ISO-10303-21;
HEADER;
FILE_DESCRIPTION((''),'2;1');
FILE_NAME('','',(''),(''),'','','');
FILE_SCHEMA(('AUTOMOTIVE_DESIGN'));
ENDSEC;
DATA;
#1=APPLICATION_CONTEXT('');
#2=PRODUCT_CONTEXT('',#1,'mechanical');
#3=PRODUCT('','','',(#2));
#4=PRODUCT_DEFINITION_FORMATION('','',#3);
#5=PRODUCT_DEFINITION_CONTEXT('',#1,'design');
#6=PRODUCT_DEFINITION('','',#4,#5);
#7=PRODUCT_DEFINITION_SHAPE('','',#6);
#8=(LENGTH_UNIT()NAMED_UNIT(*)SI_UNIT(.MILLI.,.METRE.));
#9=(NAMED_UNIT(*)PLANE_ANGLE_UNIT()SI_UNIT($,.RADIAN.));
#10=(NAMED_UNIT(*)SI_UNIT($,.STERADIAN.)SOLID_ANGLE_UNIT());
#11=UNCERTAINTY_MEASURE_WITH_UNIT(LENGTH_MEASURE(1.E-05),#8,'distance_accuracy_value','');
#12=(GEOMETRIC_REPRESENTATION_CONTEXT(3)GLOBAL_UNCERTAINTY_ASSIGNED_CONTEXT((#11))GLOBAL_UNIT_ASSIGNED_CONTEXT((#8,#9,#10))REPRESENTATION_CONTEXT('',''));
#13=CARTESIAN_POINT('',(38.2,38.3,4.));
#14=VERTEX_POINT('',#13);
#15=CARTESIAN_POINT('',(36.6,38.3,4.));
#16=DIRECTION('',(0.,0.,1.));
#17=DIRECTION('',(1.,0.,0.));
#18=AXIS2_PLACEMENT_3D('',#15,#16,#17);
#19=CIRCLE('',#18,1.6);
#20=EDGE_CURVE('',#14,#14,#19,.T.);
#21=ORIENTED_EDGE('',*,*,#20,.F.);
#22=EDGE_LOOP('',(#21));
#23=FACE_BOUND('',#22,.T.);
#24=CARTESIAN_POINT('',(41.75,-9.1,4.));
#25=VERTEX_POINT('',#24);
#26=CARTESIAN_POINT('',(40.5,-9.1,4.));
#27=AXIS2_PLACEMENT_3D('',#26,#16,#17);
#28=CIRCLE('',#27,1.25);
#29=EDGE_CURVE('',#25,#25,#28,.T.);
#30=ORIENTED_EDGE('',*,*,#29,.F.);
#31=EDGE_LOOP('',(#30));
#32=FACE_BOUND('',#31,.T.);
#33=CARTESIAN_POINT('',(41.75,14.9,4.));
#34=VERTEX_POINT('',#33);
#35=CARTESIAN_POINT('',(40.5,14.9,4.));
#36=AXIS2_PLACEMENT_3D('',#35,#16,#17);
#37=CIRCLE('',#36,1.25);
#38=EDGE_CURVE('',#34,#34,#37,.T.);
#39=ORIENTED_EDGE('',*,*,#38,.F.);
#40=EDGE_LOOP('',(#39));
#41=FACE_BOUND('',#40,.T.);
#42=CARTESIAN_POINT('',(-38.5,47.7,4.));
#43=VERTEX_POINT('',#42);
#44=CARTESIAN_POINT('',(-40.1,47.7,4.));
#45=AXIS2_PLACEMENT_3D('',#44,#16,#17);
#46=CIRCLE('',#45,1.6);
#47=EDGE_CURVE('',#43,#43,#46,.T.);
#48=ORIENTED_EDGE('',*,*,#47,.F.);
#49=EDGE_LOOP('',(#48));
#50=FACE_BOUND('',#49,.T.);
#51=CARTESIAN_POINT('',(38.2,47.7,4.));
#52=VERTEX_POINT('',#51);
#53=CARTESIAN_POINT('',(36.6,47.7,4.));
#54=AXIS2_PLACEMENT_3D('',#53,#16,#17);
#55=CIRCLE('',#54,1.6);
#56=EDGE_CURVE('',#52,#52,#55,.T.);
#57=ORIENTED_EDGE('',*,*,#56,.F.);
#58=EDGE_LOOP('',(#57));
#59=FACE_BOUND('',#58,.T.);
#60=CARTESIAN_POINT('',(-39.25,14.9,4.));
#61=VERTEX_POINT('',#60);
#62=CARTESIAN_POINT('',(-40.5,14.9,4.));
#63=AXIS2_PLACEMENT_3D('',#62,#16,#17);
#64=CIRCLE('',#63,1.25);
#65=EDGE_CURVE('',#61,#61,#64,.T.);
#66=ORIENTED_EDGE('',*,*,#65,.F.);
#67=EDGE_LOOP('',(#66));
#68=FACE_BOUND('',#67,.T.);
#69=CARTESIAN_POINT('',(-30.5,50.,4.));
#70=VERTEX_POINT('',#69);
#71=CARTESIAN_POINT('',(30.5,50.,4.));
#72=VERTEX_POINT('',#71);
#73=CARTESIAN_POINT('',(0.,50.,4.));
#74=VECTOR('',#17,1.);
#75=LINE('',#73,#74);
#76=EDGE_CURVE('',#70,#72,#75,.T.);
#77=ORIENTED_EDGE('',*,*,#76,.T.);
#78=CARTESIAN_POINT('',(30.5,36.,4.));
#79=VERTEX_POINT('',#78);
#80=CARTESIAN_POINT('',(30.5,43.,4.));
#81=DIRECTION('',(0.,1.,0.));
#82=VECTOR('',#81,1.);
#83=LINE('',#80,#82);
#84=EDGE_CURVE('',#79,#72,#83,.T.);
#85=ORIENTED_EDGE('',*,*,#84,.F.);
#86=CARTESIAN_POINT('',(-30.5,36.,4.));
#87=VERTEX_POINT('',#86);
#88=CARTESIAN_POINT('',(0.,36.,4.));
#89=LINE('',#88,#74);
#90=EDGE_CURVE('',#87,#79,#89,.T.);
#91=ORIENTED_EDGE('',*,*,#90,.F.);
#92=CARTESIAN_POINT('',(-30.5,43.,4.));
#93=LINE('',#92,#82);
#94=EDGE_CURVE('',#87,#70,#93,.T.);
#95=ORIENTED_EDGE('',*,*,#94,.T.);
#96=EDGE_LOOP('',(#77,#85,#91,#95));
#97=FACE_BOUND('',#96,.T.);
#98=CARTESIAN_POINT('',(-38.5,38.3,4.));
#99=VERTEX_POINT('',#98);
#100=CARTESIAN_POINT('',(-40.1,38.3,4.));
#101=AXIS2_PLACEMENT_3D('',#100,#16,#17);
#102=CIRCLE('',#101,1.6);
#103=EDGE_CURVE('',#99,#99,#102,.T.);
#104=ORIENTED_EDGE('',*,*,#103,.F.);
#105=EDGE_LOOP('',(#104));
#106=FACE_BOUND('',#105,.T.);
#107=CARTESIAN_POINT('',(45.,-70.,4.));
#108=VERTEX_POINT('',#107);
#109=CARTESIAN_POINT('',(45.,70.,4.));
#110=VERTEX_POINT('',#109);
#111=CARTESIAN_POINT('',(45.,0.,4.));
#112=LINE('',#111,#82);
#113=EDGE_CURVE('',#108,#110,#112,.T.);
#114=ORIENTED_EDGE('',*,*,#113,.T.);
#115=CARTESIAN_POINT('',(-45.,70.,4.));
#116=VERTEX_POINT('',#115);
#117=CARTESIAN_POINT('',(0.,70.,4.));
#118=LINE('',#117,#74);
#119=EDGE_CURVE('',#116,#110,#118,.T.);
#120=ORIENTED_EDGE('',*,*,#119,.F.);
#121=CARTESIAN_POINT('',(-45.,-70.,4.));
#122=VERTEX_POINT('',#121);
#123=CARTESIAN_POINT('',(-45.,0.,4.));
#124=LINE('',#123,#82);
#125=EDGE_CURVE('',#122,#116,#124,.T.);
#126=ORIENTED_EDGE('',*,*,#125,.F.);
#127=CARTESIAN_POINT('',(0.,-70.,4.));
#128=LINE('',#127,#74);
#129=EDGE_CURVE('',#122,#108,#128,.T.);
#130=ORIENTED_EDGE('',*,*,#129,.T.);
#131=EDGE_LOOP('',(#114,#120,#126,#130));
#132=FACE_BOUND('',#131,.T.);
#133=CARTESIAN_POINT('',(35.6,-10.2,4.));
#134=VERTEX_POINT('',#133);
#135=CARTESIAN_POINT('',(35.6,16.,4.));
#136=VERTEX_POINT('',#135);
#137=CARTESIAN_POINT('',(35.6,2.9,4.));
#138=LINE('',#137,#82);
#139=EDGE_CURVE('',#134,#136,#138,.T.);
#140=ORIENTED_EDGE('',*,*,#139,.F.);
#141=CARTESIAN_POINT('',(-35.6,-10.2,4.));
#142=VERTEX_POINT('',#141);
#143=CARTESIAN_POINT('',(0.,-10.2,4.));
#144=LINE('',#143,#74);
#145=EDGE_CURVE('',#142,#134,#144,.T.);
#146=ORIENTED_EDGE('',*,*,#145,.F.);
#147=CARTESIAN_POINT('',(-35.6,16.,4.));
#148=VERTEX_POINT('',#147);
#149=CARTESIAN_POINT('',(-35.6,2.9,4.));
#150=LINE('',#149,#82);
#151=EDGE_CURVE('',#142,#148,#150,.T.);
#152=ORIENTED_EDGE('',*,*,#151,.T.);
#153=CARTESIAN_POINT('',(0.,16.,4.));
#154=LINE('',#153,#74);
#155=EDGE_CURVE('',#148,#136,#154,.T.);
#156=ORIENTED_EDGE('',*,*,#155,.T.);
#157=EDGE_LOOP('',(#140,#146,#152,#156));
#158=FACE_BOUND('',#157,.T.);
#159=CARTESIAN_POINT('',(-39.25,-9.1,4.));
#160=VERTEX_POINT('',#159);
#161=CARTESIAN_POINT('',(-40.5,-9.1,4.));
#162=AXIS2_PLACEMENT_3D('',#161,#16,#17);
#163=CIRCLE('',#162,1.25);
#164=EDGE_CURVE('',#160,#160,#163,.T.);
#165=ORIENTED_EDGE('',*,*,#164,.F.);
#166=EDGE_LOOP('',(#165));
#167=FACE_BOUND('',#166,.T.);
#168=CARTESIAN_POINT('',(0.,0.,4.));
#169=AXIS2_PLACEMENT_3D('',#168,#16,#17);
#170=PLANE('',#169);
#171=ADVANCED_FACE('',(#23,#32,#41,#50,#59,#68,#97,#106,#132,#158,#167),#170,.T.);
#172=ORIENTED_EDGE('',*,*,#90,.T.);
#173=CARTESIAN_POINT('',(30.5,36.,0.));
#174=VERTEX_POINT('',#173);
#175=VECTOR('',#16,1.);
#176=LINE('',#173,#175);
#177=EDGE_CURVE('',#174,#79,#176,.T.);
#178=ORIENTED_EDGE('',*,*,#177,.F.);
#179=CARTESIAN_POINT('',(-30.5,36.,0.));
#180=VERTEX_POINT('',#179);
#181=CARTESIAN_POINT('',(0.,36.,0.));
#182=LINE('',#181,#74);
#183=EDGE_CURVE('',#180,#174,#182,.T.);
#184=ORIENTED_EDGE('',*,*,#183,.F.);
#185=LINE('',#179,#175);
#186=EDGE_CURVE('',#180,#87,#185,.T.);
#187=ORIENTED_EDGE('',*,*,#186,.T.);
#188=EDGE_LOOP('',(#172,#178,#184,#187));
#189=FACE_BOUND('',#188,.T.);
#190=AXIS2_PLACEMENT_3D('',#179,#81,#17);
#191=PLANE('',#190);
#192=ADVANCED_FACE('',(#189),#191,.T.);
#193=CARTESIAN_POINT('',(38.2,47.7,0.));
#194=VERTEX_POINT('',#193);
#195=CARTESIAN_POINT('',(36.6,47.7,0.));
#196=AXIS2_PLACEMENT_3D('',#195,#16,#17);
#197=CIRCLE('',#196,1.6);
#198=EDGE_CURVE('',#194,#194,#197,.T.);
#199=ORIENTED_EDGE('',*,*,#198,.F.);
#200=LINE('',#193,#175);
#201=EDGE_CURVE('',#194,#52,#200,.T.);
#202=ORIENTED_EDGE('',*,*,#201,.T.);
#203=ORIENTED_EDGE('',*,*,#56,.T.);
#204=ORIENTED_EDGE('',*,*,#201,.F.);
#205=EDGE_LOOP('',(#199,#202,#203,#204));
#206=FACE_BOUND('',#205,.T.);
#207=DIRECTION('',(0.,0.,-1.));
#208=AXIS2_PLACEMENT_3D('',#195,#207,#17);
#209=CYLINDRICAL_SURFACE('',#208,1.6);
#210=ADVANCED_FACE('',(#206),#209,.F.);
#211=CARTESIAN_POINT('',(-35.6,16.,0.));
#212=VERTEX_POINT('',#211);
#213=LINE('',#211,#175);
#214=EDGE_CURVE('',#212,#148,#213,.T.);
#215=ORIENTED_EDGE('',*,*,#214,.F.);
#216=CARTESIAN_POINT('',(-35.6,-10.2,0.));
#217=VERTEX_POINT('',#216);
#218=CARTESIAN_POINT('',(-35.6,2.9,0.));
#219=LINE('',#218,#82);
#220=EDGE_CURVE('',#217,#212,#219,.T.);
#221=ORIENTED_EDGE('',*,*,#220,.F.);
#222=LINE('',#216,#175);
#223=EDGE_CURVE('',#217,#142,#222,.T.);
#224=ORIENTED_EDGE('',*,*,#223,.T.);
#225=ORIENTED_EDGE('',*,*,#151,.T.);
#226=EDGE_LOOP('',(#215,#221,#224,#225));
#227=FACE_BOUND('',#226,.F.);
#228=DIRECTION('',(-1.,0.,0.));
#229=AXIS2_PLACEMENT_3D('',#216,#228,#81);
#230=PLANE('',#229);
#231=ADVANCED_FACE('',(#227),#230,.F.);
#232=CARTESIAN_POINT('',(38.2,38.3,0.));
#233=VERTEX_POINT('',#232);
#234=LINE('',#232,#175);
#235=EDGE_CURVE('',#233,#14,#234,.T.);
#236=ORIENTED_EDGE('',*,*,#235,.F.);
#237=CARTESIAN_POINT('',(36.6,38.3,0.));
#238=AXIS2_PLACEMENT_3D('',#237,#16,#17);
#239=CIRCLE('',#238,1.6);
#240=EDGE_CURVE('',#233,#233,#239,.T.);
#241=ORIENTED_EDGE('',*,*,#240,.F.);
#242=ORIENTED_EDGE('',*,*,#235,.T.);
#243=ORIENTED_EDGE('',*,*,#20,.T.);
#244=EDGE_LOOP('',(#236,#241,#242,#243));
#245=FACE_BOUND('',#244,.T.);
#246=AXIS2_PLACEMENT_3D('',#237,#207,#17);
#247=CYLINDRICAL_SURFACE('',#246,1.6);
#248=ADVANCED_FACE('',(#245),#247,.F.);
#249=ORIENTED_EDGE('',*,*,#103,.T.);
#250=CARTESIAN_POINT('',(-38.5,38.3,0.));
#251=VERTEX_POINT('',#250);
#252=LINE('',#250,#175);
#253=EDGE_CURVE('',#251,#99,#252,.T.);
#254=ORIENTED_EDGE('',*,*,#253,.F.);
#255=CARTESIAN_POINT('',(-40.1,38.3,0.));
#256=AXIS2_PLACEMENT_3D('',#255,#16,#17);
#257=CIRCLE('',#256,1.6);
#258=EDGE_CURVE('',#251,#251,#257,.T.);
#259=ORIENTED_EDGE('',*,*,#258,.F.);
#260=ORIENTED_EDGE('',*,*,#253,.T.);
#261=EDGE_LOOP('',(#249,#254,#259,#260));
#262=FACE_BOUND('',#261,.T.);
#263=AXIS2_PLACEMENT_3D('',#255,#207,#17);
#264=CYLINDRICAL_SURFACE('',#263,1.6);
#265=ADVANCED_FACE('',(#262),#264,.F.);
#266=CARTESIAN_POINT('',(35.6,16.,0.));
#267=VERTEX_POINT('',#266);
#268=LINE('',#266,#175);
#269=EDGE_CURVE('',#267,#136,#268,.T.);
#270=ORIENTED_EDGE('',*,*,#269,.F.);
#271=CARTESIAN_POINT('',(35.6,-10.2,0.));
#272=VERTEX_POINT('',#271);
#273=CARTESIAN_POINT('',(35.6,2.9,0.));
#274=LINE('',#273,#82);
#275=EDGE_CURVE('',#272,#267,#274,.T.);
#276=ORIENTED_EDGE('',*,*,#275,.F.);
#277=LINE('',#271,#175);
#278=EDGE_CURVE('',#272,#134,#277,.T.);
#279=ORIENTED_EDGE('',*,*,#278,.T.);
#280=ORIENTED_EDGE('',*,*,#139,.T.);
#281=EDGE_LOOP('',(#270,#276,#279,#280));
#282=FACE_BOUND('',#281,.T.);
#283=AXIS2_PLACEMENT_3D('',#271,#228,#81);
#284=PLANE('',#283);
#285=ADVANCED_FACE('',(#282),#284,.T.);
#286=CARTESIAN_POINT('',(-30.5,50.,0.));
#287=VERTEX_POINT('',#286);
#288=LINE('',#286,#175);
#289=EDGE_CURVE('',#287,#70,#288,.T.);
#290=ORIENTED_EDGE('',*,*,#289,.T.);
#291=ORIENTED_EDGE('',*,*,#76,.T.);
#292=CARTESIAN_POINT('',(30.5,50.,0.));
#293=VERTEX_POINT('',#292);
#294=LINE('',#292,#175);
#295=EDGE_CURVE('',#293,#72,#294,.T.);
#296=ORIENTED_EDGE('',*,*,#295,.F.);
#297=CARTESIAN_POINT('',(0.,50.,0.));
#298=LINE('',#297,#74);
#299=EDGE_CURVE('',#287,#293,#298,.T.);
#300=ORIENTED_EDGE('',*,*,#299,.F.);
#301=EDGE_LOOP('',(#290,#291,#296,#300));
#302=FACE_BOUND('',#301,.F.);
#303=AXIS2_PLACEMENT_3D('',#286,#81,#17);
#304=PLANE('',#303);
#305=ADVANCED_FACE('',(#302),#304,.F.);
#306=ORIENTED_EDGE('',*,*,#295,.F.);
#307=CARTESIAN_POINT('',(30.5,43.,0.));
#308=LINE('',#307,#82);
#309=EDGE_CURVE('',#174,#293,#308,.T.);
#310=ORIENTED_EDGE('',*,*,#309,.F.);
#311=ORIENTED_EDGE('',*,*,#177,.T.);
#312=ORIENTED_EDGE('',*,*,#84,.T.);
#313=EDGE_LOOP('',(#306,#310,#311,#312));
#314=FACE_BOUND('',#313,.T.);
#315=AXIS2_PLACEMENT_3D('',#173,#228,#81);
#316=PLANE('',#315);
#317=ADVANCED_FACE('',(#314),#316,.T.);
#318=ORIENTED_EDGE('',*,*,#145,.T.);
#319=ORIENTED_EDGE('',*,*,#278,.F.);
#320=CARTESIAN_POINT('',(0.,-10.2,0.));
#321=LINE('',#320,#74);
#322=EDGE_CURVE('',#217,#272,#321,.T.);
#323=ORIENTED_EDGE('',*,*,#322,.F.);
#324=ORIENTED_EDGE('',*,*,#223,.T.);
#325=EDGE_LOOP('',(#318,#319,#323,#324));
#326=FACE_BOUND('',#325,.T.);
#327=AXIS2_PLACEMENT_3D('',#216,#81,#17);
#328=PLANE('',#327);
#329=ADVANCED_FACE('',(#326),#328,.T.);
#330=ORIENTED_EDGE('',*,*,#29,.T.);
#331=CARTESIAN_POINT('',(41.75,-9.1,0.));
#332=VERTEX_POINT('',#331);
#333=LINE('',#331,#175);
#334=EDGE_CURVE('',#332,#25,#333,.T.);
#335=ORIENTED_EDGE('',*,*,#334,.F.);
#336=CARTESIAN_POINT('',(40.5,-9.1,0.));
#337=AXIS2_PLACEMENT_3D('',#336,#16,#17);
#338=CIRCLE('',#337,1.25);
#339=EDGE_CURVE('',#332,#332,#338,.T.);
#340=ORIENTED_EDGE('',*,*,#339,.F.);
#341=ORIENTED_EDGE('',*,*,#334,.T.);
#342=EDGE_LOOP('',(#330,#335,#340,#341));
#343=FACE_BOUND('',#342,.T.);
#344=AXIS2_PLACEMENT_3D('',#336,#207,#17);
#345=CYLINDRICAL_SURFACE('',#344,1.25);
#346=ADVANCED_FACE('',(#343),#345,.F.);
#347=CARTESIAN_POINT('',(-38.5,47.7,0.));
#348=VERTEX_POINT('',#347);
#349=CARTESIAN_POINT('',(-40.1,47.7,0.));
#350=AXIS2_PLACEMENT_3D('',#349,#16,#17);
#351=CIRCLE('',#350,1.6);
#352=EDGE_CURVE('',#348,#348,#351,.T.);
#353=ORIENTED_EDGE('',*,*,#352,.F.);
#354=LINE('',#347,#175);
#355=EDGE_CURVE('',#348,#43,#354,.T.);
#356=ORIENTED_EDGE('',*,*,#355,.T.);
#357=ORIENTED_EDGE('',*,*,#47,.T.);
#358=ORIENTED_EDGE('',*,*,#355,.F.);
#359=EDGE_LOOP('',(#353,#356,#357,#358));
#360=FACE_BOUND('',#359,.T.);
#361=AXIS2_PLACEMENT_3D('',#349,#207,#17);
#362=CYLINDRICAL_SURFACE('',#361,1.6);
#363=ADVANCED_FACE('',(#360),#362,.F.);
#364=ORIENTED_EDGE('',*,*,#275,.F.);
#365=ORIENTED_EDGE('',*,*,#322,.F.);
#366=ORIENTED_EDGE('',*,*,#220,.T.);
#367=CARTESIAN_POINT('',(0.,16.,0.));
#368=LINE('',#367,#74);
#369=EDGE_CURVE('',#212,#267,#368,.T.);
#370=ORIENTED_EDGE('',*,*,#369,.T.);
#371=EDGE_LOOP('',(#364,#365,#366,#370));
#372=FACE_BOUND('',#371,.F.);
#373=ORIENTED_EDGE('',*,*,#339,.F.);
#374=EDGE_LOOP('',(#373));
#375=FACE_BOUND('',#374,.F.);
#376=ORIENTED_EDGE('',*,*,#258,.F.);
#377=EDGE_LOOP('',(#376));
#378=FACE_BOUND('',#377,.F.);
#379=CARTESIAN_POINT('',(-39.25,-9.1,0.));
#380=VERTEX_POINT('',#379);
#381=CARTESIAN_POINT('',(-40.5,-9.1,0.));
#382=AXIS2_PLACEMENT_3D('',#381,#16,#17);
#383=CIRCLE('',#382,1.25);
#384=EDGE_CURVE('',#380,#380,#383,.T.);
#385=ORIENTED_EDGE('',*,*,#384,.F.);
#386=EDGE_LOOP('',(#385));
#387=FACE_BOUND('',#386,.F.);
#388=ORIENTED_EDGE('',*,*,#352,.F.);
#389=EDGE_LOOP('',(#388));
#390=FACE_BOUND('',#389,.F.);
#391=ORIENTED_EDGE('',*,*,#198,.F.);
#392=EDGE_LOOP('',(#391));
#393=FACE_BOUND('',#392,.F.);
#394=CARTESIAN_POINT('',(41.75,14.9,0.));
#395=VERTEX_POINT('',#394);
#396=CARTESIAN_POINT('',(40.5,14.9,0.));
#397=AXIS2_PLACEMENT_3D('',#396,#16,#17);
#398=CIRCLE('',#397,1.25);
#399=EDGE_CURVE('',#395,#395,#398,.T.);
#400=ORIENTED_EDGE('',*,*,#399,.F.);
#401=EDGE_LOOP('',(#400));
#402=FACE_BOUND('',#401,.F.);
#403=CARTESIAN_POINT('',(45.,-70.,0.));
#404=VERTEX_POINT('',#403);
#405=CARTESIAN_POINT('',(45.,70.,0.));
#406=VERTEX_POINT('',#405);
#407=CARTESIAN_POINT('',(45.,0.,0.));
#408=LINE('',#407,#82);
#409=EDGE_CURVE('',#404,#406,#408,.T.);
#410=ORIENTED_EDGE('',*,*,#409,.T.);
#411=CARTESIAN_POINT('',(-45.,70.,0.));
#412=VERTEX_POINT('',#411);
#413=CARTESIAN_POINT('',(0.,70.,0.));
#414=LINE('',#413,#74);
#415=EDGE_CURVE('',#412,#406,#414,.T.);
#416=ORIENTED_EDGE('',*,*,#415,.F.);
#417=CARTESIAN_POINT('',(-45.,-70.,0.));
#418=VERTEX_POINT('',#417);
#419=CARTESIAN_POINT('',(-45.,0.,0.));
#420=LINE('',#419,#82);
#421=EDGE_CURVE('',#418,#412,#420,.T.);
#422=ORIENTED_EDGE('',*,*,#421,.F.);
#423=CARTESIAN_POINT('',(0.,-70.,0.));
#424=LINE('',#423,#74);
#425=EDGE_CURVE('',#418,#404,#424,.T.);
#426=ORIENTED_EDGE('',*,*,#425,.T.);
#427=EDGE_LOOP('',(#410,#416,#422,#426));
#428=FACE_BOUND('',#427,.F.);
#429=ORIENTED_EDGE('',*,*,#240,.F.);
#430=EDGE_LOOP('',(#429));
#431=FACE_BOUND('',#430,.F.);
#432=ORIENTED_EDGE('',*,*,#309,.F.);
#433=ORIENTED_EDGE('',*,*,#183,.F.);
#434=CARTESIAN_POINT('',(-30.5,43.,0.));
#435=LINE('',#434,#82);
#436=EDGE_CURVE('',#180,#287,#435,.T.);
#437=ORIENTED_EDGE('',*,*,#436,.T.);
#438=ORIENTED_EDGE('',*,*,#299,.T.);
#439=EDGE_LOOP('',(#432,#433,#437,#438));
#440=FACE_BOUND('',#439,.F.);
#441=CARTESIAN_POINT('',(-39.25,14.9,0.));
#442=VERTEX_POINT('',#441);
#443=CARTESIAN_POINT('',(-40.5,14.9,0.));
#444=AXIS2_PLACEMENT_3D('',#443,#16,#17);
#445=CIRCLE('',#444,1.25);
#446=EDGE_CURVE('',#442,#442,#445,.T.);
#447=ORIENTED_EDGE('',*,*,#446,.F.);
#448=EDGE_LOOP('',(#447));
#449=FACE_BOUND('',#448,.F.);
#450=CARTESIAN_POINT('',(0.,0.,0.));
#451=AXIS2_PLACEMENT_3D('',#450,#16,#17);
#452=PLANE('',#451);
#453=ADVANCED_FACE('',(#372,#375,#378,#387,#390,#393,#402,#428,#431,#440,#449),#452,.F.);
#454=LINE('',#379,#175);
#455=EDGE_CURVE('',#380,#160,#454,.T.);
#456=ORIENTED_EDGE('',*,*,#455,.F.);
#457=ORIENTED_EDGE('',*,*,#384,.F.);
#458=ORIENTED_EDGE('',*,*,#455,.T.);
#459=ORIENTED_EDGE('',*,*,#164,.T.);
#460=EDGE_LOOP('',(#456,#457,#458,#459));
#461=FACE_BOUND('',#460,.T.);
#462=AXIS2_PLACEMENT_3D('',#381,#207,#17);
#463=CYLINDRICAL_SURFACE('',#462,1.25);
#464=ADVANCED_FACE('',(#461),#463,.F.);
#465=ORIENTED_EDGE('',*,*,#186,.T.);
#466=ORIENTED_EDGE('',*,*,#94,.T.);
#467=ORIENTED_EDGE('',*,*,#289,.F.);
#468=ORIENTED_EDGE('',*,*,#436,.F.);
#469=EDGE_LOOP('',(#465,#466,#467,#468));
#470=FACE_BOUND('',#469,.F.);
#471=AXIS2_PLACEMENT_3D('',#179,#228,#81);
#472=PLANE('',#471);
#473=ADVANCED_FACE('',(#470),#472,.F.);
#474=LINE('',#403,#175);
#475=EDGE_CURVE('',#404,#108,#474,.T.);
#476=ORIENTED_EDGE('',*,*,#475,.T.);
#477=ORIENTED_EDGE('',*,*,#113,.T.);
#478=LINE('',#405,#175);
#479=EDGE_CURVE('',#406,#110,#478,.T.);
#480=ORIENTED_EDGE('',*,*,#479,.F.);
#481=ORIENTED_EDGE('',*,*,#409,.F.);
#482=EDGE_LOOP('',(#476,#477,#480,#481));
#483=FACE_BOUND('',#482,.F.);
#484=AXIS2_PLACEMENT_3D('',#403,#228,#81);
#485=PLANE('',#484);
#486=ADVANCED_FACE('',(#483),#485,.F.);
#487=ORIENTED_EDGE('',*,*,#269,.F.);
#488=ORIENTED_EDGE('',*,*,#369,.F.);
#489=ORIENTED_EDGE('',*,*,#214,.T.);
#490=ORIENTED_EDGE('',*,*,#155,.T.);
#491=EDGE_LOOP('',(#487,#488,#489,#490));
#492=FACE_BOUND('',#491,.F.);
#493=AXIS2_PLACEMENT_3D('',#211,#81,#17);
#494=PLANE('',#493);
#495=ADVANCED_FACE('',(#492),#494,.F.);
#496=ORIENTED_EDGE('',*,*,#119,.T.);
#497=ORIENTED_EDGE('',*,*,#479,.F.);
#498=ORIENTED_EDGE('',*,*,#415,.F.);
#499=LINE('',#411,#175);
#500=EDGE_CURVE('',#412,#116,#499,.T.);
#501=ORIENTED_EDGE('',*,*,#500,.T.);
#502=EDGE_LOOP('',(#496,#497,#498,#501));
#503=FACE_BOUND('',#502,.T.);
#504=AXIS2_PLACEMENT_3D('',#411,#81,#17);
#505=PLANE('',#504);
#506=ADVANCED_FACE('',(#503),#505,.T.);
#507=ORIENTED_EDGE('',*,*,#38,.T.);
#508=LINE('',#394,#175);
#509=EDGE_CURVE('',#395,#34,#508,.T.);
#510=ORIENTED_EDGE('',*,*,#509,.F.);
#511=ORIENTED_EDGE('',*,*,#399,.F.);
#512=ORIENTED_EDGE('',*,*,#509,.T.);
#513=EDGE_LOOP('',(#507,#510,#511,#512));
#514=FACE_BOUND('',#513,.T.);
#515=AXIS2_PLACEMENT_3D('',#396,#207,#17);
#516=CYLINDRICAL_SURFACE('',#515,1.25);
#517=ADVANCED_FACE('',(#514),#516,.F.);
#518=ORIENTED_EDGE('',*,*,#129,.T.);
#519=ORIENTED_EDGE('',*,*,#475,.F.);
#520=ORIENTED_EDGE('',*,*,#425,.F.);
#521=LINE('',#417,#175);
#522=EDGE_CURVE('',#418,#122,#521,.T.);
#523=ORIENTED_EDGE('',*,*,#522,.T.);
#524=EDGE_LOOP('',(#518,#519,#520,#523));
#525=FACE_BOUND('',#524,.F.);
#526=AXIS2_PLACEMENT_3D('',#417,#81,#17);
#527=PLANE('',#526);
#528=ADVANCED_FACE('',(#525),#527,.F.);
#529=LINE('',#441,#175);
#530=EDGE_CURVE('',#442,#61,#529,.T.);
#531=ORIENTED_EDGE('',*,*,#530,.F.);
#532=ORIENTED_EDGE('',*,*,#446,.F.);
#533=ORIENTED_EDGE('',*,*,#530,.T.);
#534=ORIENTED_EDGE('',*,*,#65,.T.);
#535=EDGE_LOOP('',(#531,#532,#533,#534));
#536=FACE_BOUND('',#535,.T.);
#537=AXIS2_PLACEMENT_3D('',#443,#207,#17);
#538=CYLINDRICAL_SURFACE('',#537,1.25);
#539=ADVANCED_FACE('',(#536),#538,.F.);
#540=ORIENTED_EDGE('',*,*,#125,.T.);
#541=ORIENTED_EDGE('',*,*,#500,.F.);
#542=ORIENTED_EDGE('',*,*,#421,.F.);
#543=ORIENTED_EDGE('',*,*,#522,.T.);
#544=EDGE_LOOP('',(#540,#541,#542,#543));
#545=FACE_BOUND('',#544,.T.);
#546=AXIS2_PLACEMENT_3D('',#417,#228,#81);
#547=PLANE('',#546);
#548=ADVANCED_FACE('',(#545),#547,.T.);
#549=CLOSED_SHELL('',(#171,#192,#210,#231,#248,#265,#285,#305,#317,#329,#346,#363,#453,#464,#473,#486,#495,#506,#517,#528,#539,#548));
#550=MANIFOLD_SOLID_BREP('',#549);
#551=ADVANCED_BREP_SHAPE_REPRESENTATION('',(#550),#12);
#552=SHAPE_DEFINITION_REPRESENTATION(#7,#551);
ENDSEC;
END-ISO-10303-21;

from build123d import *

# Parameters (mm, degrees)
SKETCH_W   = 90
SKETCH_H   = 140
SKETCH_R   = 1.25
SKETCH_R_2 = 1.6
SKETCH_W_2 = 71.2
SKETCH_H_2 = 26.2
SKETCH_W_3 = 61
SKETCH_H_3 = 14
PAD_DEPTH  = 4


with BuildPart() as part:
    # Sketch → Pad (new body)
    with BuildSketch(Plane.XY):
        Rectangle(SKETCH_W, SKETCH_H)
        with Locations((-40.5, 14.9)):
            Circle(SKETCH_R, mode=Mode.SUBTRACT)
        with Locations((-40.5, -9.1)):
            Circle(SKETCH_R, mode=Mode.SUBTRACT)
        with Locations((40.5, 14.9)):
            Circle(SKETCH_R, mode=Mode.SUBTRACT)
        with Locations((40.5, -9.1)):
            Circle(SKETCH_R, mode=Mode.SUBTRACT)
        with Locations((-40.1, 47.7)):
            Circle(SKETCH_R_2, mode=Mode.SUBTRACT)
        with Locations((-40.1, 38.3)):
            Circle(SKETCH_R_2, mode=Mode.SUBTRACT)
        with Locations((36.6, 47.7)):
            Circle(SKETCH_R_2, mode=Mode.SUBTRACT)
        with Locations((36.6, 38.3)):
            Circle(SKETCH_R_2, mode=Mode.SUBTRACT)
        with Locations((0, 2.9)):
            Rectangle(SKETCH_W_2, SKETCH_H_2, mode=Mode.SUBTRACT)
        with Locations((0, 43)):
            Rectangle(SKETCH_W_3, SKETCH_H_3, mode=Mode.SUBTRACT)
    extrude(amount=PAD_DEPTH)


solid = part.part
